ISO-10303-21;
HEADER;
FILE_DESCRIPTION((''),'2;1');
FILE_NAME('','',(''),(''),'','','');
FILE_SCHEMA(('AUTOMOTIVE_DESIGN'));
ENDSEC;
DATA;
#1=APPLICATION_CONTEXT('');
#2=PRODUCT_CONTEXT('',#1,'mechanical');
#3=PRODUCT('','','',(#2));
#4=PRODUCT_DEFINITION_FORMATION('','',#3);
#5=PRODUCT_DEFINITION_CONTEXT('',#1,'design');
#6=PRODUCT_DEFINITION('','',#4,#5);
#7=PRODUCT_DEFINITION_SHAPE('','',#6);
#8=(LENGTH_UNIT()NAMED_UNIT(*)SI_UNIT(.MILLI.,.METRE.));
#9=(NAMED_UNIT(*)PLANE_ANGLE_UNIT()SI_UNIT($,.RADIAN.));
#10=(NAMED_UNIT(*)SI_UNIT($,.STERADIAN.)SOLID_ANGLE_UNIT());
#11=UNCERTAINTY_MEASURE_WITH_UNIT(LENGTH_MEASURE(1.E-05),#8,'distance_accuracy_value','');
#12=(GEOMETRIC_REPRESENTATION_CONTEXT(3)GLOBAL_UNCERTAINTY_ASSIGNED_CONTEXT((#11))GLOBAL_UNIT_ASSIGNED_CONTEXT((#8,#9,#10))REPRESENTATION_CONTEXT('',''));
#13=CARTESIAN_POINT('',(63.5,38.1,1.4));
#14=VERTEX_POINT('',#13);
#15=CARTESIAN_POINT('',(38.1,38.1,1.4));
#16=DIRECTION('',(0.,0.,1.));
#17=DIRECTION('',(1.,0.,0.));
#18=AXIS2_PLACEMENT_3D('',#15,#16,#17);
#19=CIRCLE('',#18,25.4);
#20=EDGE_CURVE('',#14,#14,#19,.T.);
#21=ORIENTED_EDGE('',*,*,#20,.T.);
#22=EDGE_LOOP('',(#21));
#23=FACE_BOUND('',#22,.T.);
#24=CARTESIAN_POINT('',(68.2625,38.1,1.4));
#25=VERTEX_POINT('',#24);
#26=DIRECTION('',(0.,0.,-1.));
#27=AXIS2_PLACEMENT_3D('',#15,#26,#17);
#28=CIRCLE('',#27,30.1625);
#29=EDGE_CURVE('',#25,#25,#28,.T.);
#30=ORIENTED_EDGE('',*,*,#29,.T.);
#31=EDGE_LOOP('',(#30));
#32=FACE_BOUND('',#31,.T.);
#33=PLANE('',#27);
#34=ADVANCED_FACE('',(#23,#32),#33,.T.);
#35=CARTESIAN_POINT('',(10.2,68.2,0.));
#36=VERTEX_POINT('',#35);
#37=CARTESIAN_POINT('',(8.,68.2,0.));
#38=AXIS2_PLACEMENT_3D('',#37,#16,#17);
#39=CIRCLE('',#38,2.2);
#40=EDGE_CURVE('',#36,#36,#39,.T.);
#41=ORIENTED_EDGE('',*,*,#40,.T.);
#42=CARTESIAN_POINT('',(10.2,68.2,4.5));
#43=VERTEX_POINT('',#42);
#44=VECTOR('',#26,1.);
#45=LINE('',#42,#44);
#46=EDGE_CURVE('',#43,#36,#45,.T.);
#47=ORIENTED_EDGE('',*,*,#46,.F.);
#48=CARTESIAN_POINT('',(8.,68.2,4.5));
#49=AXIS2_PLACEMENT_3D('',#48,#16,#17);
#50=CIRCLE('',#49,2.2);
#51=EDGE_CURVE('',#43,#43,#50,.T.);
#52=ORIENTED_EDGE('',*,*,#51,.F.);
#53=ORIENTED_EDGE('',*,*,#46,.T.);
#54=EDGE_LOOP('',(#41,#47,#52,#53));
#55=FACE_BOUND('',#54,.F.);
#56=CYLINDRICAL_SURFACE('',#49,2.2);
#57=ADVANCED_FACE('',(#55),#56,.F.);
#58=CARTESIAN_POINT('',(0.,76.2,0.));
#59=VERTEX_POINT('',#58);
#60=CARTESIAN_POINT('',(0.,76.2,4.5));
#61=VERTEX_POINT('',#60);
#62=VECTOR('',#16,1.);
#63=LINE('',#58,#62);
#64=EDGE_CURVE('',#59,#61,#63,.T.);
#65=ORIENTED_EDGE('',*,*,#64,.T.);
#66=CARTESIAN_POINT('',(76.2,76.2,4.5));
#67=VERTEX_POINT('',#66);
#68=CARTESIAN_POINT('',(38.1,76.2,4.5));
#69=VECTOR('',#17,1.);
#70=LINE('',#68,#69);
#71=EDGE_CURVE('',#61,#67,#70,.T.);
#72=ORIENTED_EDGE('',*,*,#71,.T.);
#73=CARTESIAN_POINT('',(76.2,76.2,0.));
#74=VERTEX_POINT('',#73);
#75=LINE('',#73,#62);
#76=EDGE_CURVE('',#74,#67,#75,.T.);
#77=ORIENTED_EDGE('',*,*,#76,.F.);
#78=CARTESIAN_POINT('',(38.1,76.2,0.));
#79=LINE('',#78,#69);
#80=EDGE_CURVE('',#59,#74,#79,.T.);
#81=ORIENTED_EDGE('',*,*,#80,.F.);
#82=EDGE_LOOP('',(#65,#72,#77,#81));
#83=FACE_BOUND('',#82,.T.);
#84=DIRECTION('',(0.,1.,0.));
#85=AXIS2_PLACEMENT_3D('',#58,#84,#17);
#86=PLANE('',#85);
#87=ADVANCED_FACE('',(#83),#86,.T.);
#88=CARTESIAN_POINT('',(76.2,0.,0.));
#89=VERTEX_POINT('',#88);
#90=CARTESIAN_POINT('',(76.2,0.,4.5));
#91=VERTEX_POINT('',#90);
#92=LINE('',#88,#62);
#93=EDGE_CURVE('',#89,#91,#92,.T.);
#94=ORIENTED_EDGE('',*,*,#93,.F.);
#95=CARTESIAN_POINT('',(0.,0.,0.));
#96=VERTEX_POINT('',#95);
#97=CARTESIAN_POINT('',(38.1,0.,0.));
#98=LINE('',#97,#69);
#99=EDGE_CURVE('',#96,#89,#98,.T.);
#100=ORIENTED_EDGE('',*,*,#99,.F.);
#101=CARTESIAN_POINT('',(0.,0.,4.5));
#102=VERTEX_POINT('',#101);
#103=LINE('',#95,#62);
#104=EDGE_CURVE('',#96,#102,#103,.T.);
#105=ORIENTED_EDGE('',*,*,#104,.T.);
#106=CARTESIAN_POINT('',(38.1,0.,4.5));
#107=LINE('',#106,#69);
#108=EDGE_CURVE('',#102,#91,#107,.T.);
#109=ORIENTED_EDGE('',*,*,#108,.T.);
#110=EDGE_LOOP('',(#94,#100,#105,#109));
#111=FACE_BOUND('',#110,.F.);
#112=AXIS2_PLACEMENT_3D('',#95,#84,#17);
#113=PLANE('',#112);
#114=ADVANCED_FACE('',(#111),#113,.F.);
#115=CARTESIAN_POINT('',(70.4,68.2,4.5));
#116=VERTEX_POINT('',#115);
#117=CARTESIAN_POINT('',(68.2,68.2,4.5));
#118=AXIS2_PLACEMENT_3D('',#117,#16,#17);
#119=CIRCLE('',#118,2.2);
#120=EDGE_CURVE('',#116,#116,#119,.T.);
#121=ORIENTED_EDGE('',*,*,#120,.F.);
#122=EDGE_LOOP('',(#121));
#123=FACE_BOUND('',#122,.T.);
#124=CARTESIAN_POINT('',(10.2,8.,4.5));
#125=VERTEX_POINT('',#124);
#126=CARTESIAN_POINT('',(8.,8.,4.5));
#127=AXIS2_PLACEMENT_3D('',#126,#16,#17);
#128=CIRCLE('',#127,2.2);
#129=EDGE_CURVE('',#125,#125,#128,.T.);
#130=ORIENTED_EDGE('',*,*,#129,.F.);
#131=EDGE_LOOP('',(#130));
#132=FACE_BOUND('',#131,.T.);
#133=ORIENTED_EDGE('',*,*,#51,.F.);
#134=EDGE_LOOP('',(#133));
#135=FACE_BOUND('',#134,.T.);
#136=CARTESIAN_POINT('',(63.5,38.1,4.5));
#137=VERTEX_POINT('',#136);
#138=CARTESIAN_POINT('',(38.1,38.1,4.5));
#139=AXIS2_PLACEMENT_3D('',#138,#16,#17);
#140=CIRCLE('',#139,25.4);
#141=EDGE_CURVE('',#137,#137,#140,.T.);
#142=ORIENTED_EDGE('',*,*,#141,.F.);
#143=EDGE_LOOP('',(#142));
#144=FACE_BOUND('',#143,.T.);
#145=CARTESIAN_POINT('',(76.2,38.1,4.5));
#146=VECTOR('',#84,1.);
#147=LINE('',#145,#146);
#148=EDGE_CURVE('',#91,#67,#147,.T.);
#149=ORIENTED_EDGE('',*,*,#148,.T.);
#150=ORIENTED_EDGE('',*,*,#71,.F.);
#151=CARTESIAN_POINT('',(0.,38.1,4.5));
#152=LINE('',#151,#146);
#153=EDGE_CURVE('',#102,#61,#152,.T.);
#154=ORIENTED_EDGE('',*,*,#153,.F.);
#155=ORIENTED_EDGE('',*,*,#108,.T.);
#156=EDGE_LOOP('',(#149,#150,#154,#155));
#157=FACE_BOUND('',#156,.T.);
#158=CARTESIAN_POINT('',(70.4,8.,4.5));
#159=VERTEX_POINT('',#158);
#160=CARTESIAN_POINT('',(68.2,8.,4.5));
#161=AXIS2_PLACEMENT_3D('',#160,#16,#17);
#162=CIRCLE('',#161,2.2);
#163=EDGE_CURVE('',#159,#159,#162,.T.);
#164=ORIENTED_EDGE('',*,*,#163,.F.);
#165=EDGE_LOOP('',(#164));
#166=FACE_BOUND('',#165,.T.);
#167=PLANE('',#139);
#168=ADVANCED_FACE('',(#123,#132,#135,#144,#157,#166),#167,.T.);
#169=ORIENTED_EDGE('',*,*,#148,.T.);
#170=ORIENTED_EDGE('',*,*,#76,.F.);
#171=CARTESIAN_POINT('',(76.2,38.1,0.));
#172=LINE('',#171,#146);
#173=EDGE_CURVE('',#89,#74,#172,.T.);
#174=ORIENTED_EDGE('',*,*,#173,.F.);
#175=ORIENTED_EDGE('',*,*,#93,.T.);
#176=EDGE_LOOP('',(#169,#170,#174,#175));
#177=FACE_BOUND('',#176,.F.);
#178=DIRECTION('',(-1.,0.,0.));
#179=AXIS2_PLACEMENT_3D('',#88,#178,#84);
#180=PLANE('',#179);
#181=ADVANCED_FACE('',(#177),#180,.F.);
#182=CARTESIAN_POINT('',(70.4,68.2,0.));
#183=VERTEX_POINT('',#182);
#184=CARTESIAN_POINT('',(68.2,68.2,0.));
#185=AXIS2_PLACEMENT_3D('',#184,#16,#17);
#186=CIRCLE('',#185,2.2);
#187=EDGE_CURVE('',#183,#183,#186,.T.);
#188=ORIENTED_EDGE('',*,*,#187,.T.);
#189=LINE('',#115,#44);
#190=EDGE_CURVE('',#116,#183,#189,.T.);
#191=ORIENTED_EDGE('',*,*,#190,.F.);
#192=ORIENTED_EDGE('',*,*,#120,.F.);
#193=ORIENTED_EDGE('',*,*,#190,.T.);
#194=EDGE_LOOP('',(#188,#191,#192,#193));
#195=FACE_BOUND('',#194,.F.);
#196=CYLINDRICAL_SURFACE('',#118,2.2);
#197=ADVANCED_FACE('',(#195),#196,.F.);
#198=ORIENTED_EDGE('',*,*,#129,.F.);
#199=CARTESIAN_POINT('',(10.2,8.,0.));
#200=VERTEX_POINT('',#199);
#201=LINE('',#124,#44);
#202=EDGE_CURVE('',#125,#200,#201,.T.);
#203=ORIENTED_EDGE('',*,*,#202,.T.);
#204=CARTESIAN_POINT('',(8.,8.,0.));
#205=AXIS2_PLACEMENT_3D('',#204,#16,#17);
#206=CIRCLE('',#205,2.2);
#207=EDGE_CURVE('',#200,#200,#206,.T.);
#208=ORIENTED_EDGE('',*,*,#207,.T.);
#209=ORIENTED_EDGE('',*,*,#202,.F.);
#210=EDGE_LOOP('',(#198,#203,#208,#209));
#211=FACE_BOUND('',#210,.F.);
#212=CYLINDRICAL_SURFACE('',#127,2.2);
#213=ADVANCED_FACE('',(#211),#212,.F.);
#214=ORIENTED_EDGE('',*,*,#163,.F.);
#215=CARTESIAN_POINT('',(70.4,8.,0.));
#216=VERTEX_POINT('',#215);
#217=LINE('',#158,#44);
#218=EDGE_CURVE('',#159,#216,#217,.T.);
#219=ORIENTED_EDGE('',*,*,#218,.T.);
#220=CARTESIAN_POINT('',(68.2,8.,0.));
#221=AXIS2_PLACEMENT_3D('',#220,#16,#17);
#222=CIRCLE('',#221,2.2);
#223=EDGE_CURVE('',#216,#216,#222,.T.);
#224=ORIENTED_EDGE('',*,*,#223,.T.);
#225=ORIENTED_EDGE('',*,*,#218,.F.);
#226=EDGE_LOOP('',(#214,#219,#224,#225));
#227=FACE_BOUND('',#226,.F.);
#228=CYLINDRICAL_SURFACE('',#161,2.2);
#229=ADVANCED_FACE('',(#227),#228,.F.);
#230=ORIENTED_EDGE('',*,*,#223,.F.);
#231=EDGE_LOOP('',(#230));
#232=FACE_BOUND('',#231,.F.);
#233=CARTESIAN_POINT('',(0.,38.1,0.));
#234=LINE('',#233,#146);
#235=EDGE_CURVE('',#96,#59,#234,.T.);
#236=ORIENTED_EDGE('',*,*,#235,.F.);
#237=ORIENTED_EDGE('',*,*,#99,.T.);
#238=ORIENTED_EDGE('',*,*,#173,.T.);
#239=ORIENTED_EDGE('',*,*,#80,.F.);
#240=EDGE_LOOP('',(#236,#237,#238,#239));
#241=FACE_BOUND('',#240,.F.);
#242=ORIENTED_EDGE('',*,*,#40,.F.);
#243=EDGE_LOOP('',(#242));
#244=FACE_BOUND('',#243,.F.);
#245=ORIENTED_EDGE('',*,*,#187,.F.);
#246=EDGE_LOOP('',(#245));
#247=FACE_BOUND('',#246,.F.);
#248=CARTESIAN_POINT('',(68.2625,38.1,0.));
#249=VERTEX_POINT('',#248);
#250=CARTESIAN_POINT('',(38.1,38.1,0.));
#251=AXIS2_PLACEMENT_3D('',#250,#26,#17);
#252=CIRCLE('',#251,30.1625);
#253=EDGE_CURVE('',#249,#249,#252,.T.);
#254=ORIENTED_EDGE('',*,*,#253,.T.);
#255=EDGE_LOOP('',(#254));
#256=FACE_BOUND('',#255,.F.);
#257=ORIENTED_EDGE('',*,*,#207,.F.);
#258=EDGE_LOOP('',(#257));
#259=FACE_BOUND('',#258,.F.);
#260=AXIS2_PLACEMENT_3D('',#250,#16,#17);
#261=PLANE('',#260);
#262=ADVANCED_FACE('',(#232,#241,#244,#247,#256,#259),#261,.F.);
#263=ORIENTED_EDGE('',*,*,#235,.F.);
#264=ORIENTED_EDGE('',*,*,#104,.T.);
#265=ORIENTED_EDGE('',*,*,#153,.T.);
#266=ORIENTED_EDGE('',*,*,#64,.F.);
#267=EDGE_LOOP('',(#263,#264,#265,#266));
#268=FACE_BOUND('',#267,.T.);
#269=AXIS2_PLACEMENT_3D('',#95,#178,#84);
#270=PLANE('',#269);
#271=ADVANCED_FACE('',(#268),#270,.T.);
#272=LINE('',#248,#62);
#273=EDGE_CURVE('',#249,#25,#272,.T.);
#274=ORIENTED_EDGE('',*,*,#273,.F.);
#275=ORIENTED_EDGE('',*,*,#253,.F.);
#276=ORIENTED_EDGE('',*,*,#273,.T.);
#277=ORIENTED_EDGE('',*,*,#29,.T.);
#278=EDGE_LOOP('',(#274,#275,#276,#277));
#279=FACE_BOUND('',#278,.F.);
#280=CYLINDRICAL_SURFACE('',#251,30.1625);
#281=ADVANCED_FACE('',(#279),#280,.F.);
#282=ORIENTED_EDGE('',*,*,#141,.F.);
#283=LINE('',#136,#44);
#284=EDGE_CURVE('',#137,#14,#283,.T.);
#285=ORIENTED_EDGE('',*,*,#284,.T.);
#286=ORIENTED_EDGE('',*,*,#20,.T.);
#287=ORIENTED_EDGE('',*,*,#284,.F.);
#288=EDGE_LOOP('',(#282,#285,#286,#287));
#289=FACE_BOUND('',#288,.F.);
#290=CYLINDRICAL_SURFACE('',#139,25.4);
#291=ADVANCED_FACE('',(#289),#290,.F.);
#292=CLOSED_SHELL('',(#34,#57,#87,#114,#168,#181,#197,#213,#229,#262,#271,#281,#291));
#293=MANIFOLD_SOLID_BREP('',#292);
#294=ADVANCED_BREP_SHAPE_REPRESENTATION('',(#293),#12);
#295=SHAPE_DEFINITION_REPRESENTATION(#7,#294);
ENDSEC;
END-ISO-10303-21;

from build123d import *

# Parameters (mm, degrees)
SKETCH_W        = 76.2
SKETCH_H        = 76.2
PAD_DEPTH       = 4.5
SKETCH003_R     = 25.4
POCKET_DEPTH    = 4.501
SKETCH001_R     = 2.2
POCKET001_DEPTH = 4.501
SKETCH004_R     = 30.1625
POCKET002_DEPTH = 1.4


with BuildPart() as part:
    # Sketch → Pad (new body)
    with BuildSketch(Plane.XY):
        with Locations((38.1, 38.1)):
            Rectangle(SKETCH_W, SKETCH_H)
    extrude(amount=PAD_DEPTH)

    # Sketch003 (on Face6 of Pad) → Pocket (cut, through all)
    with BuildSketch(Plane.XY.offset(4.5)):
        with Locations((38.1, 38.1)):
            Circle(SKETCH003_R)
    extrude(amount=-POCKET_DEPTH, mode=Mode.SUBTRACT)

    # Sketch001 (on Face6 of Pad) → Pocket001 (cut, through all)
    with BuildSketch(Plane.XY.offset(4.5)):
        with Locations((8, 8)):
            Circle(SKETCH001_R)
        with Locations((68.2, 8)):
            Circle(SKETCH001_R)
        with Locations((68.2, 68.2)):
            Circle(SKETCH001_R)
        with Locations((8, 68.2)):
            Circle(SKETCH001_R)
    extrude(amount=-POCKET001_DEPTH, mode=Mode.SUBTRACT)

    # Sketch004 (on Face4 of Pocket001) → Pocket002 (cut)
    with BuildSketch(Plane(origin=(0, 0, 0), x_dir=(1, 0, 0), z_dir=(0, 0, -1))):
        with Locations((38.1, -38.1)):
            Circle(SKETCH004_R)
    extrude(amount=-POCKET002_DEPTH, mode=Mode.SUBTRACT)


solid = part.part
